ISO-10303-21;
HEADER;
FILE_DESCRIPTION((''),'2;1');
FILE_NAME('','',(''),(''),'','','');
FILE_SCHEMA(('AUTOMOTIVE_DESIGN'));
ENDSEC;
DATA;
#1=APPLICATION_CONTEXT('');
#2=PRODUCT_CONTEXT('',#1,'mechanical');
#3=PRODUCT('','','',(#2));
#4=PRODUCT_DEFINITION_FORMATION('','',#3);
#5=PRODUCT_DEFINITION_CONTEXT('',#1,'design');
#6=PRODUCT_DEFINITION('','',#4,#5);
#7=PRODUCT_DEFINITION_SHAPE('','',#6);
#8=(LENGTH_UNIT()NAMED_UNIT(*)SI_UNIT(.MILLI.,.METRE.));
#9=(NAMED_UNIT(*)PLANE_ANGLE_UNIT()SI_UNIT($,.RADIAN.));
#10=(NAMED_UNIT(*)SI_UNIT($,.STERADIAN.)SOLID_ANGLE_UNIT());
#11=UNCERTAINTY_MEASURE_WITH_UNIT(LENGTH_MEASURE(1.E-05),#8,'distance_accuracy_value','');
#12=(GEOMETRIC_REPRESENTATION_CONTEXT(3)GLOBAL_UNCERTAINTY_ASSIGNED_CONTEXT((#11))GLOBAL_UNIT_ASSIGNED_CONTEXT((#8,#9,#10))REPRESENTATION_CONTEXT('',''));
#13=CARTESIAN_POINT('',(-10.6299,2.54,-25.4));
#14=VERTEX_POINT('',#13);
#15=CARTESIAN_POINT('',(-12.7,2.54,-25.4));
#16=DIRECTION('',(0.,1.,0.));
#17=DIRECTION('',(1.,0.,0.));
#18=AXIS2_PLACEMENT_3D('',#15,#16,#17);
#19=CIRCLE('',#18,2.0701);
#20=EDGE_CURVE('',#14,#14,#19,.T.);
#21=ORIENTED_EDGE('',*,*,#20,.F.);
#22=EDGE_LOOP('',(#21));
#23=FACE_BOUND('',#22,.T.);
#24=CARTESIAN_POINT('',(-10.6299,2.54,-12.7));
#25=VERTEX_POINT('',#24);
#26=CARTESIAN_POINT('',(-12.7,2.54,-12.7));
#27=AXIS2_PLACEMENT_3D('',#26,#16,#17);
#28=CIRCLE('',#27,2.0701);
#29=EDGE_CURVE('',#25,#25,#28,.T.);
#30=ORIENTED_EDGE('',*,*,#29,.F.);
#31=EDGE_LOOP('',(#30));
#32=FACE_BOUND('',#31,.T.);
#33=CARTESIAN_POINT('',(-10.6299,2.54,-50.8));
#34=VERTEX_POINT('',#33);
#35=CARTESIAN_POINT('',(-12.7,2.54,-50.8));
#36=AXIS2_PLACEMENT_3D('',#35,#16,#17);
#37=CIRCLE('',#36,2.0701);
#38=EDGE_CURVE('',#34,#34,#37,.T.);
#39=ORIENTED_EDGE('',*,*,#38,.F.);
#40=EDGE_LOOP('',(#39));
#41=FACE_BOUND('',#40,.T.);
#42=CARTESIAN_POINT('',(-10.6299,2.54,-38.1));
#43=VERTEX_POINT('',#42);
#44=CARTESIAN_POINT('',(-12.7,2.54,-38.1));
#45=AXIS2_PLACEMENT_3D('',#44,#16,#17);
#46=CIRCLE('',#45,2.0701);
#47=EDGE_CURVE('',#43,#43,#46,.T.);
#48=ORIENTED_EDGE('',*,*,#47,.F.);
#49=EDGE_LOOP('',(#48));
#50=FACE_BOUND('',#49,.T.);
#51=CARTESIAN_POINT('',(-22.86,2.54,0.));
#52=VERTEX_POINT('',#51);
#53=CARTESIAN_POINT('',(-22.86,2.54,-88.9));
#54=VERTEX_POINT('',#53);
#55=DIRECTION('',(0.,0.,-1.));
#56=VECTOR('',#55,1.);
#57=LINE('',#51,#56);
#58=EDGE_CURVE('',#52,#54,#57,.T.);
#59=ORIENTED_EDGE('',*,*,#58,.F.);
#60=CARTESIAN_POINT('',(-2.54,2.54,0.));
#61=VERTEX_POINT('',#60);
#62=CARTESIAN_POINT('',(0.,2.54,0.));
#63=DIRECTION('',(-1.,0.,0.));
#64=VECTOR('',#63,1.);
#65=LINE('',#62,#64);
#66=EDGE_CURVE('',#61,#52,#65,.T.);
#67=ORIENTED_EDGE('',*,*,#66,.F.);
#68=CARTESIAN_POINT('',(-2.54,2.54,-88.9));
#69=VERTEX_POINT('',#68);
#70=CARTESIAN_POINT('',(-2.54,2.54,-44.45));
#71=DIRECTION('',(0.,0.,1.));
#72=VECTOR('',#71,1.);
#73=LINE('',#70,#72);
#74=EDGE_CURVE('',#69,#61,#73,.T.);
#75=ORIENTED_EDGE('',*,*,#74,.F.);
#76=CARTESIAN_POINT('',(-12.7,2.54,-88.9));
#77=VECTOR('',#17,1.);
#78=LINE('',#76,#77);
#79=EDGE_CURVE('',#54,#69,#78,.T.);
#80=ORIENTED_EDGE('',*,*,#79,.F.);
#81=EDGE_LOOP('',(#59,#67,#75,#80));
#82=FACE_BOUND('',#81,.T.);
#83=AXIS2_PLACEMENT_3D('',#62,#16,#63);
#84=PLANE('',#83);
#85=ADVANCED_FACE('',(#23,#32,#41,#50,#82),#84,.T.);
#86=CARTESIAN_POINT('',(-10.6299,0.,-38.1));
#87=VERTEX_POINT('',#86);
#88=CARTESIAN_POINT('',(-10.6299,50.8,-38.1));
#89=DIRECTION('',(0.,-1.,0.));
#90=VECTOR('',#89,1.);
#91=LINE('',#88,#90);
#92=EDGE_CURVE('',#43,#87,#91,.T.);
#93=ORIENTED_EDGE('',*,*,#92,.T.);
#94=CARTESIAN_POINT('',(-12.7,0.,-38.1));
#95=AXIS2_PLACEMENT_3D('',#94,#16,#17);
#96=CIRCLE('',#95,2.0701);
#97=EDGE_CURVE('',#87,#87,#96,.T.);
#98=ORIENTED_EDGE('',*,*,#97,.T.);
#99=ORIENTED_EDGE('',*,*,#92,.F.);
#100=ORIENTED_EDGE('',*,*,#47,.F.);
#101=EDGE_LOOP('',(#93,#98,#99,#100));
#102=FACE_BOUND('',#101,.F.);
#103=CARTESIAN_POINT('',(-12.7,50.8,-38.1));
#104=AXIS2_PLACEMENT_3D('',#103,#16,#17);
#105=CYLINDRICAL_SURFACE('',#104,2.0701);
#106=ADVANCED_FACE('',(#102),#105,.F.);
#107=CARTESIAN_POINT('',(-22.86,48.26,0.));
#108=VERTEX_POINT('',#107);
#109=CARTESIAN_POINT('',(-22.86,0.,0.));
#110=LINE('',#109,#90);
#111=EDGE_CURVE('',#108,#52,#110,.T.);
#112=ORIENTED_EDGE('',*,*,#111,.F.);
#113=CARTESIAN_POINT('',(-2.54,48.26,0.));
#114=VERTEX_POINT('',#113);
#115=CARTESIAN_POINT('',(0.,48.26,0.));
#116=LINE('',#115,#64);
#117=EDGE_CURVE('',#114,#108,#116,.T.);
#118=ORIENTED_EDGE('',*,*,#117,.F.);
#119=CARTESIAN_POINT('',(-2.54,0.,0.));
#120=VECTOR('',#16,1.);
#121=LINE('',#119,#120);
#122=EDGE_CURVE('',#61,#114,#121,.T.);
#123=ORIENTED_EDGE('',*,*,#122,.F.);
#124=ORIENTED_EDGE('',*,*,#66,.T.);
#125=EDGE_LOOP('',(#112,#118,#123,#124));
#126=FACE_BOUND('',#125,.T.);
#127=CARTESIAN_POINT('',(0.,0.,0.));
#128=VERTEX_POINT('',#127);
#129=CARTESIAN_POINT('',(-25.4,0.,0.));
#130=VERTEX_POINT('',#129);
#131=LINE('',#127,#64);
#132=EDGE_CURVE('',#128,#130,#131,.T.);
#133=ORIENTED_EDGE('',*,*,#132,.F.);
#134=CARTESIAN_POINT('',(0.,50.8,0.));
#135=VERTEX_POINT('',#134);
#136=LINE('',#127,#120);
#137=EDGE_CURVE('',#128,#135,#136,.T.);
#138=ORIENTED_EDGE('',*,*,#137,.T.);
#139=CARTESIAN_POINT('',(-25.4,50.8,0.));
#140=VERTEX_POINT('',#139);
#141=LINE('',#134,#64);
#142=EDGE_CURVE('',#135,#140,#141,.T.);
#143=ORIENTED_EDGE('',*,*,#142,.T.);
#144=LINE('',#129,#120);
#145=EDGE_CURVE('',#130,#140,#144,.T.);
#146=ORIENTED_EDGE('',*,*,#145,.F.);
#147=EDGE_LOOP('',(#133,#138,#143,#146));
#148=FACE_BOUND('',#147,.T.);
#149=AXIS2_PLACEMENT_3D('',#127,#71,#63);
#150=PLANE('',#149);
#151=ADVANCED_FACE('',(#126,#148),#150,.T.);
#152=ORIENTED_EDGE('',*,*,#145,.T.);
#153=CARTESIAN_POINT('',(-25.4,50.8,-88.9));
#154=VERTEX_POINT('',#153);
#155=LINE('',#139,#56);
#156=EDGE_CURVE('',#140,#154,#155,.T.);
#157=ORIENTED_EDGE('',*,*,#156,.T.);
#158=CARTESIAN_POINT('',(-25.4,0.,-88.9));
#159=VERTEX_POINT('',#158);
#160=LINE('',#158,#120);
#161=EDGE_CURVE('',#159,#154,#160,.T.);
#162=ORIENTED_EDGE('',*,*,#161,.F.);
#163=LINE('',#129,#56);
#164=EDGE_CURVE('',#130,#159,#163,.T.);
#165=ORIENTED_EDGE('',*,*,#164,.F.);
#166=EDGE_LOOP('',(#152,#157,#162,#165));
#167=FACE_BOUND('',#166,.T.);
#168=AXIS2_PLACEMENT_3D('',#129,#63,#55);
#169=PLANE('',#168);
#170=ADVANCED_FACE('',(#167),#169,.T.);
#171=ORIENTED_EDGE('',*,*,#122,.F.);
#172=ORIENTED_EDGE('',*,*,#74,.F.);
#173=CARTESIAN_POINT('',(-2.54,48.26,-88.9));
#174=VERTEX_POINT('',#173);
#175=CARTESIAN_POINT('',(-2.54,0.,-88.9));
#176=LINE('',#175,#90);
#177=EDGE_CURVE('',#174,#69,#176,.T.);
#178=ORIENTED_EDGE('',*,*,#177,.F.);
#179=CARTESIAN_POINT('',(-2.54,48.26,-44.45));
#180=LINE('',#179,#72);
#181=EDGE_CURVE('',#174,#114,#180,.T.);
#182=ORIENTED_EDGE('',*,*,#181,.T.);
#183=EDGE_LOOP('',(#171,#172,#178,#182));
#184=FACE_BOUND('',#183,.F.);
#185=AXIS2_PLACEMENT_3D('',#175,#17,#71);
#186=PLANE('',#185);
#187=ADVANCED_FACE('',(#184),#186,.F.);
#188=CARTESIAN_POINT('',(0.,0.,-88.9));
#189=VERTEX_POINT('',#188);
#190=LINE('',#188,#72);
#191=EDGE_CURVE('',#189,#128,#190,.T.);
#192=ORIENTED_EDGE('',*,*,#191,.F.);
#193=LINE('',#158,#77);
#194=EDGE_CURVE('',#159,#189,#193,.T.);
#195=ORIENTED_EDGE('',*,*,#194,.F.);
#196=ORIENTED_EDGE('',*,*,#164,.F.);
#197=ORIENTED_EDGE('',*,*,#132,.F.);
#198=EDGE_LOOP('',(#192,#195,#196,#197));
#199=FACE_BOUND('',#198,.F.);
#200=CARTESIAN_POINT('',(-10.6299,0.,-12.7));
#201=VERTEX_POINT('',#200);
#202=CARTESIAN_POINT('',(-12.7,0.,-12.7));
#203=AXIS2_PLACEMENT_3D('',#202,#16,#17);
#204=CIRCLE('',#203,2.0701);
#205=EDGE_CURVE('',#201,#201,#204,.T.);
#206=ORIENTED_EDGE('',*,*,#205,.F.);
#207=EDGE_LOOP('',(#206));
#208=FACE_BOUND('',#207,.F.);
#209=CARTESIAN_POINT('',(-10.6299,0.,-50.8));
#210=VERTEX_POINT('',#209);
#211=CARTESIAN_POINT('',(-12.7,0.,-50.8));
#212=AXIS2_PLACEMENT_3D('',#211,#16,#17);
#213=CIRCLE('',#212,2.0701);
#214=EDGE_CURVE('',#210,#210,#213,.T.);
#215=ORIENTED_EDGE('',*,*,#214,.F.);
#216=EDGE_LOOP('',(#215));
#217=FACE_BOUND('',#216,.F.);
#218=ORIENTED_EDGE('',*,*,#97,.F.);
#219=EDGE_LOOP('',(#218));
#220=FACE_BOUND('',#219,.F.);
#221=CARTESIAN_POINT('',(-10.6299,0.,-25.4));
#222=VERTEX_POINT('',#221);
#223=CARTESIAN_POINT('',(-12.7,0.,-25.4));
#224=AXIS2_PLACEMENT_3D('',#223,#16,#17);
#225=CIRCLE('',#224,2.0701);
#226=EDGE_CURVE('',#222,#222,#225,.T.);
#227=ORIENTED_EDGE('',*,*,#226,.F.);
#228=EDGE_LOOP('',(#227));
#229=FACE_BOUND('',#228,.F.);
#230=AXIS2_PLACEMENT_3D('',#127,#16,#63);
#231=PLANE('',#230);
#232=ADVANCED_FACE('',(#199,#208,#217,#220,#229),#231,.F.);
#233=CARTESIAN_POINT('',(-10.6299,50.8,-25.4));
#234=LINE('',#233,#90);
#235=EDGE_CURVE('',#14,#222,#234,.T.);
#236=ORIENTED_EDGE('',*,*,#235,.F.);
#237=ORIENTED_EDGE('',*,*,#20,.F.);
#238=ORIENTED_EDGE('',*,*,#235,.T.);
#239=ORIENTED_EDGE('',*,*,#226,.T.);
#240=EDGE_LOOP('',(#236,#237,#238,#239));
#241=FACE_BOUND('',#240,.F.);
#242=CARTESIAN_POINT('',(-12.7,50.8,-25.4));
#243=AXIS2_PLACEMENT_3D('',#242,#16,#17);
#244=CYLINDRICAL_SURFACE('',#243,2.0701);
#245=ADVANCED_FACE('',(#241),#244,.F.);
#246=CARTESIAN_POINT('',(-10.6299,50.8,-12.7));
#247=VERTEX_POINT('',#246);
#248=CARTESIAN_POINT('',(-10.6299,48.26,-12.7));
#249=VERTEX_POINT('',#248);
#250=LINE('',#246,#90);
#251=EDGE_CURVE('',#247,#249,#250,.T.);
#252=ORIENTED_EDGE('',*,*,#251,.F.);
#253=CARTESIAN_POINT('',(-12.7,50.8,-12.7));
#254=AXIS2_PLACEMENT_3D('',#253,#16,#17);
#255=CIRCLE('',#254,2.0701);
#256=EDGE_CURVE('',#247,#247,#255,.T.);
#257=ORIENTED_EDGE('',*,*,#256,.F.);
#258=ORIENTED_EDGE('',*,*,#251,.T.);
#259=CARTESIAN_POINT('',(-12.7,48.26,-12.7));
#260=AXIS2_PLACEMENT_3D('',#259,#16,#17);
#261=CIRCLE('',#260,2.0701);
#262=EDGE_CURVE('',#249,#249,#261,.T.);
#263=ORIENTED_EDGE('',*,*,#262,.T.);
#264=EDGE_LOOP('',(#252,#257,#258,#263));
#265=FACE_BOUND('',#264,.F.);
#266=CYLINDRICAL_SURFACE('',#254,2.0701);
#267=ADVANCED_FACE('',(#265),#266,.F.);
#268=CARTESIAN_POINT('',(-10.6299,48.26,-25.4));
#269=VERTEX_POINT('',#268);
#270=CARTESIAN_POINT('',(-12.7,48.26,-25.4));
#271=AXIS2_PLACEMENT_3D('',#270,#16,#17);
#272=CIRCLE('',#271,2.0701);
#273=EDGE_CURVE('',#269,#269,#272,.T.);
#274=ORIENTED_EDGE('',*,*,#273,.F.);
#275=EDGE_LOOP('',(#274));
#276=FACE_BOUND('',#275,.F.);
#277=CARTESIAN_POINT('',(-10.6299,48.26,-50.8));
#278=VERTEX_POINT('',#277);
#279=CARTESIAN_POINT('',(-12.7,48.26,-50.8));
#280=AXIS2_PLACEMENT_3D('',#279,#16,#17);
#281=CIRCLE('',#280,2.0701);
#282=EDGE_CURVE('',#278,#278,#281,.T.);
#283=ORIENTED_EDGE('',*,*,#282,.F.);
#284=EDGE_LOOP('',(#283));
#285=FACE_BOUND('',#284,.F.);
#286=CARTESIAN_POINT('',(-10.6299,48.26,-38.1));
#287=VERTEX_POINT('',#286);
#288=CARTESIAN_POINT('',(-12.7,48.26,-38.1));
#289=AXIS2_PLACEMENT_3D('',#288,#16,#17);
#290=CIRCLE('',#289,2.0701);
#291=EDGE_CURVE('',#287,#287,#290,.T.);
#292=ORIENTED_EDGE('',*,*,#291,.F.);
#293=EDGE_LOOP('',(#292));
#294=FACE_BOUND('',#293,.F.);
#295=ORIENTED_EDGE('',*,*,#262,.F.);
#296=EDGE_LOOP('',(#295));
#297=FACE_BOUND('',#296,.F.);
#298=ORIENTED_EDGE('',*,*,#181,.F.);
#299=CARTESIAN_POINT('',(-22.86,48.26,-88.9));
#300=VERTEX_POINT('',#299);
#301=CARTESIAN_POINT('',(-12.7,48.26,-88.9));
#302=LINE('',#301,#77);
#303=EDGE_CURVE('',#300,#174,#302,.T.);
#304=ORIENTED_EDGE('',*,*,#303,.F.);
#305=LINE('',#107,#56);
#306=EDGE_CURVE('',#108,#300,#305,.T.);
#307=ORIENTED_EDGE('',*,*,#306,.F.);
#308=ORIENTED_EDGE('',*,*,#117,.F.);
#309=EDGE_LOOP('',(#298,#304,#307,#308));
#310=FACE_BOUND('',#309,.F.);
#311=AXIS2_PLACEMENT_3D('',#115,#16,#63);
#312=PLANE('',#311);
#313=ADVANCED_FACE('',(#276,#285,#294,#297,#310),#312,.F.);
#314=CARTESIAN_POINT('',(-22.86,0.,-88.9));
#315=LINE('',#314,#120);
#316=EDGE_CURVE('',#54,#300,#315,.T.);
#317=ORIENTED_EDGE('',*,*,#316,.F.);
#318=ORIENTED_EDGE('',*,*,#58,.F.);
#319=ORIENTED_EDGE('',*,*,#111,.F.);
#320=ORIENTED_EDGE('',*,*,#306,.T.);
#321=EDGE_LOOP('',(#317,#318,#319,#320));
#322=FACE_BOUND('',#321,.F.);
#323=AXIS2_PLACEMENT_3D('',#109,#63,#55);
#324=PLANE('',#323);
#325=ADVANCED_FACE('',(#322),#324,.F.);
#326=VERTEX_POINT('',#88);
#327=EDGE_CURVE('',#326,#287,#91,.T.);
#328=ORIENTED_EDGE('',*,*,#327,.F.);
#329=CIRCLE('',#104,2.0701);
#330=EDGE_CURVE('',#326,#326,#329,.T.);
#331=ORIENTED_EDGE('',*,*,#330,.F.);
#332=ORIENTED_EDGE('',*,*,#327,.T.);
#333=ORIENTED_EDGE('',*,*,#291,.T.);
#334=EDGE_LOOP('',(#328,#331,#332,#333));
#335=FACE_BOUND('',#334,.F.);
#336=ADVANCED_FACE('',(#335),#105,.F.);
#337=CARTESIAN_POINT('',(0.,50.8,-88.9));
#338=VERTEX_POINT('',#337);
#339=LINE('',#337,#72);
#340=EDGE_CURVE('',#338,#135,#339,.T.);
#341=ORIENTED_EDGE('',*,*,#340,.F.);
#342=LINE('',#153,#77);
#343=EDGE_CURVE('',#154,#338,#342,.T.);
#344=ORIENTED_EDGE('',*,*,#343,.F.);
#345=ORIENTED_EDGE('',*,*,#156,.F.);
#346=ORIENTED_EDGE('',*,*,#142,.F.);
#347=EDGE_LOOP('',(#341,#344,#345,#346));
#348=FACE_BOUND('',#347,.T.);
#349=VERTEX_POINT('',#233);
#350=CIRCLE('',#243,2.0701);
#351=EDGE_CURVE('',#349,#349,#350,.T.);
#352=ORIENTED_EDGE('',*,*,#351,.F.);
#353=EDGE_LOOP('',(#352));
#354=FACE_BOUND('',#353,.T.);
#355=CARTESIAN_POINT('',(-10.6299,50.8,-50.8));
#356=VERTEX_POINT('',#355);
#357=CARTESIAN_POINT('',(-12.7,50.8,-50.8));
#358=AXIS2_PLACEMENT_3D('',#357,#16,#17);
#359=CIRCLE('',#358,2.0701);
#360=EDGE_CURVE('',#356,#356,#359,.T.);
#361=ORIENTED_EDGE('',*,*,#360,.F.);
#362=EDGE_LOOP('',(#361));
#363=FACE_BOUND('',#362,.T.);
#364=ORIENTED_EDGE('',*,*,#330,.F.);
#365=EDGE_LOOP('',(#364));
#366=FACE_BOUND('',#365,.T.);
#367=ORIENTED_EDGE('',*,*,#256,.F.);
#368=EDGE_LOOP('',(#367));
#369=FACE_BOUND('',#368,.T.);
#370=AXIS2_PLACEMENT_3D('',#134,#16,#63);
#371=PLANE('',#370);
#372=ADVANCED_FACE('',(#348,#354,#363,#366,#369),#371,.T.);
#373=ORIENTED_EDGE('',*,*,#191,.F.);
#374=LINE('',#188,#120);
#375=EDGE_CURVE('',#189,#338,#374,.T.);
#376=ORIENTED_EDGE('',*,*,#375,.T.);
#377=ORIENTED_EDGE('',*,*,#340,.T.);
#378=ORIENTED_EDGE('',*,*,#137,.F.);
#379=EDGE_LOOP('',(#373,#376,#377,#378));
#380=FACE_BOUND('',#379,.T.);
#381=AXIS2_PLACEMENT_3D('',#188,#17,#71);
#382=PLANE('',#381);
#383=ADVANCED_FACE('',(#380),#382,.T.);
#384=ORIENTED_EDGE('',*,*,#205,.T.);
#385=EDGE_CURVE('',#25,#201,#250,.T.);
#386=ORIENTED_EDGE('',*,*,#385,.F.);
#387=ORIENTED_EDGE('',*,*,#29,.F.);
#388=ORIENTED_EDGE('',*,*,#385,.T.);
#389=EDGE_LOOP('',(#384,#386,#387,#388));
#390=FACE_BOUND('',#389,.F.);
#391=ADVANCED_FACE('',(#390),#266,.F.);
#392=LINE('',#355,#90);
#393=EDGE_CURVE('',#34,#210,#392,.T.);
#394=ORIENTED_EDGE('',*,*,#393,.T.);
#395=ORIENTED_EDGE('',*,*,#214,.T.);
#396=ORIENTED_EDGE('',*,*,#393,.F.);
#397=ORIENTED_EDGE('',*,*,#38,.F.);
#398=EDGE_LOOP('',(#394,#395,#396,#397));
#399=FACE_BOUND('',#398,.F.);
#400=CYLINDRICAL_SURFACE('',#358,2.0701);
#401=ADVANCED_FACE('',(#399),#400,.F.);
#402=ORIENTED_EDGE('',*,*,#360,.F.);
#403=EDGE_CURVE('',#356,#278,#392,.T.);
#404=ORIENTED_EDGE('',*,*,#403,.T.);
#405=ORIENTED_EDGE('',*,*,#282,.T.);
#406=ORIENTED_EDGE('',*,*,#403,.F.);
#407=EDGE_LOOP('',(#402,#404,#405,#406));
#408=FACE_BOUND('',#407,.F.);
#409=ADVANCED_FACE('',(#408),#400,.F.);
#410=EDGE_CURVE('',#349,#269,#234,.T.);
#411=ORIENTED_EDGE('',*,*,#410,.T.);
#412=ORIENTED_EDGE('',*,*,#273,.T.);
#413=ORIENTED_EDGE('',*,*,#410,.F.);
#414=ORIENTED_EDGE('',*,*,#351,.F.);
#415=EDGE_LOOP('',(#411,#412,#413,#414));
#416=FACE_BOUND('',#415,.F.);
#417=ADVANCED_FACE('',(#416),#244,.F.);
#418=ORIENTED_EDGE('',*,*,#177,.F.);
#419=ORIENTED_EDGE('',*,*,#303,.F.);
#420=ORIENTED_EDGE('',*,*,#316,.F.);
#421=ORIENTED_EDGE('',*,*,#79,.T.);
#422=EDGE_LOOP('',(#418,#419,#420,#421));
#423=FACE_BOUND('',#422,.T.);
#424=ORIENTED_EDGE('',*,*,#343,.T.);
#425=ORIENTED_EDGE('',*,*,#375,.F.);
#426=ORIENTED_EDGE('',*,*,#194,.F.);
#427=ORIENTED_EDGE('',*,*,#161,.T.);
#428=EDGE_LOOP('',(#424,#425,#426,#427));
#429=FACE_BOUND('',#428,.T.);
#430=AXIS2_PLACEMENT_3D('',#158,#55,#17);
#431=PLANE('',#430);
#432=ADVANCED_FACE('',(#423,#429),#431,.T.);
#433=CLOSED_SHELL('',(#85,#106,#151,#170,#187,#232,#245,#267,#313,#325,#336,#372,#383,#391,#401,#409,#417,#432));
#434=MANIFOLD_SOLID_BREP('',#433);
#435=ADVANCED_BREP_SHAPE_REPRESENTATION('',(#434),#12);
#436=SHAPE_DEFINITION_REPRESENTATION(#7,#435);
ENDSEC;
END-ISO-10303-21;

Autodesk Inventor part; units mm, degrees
ref_plane "YZ Plane" through (0, 0, 0) normal (1, 0, 0) x (0, 1, 0)
ref_plane "XZ Plane" through (0, 0, 0) normal (0, 1, 0) x (-1, 0, 0)
ref_plane "XY Plane" through (0, 0, 0) normal (0, 0, 1) x (1, 0, 0)
sketch "Sketch1" plane through (0, 0, 0) normal (0, 1, 0) x (-1, 0, 0)
  line L0 (0, 0) -> (25.4, 0)
  line L1 (25.4, 0) -> (25.4, -88.9)
  line L2 (25.4, -88.9) -> (0, -88.9)
  line L3 (0, -88.9) -> (0, 0)
  dimension "d0" = 88.9
  dimension "d1" = 25.4
extrude "Extrusion1" add sketch "Sketch1" along normal blind 50.8
shell "Shell1" thickness 2.54 removed faces 2 at (-16.9333, 33.8667, 0) at (-8.4667, 16.9333, -88.9)
sketch "Sketch2" plane through (0, 50.8, 0) normal (0, 1, 0) x (1, 0, 0)
  line L0 (-2.54, 0) -> (-22.86, 0) construction
  line L1 (-12.7, 0) -> (-12.7, 62.6675) construction
  circle A0 centre (-12.7, 0) radius 2.0701
  circle A1 centre (-12.7, 12.7) radius 2.0701
  circle A2 centre (-12.7, 25.4) radius 2.0701
  circle A3 centre (-12.7, 38.1) radius 2.0701
  circle A4 centre (-12.7, 50.8) radius 2.0701
  point P0 (0, 0)
  dimension "d5" = 4.1402
  dimension "d8" = 12.7
extrude "Extrusion2" cut sketch "Sketch2" against normal through all contours A1 | A2 | A3 | A4
